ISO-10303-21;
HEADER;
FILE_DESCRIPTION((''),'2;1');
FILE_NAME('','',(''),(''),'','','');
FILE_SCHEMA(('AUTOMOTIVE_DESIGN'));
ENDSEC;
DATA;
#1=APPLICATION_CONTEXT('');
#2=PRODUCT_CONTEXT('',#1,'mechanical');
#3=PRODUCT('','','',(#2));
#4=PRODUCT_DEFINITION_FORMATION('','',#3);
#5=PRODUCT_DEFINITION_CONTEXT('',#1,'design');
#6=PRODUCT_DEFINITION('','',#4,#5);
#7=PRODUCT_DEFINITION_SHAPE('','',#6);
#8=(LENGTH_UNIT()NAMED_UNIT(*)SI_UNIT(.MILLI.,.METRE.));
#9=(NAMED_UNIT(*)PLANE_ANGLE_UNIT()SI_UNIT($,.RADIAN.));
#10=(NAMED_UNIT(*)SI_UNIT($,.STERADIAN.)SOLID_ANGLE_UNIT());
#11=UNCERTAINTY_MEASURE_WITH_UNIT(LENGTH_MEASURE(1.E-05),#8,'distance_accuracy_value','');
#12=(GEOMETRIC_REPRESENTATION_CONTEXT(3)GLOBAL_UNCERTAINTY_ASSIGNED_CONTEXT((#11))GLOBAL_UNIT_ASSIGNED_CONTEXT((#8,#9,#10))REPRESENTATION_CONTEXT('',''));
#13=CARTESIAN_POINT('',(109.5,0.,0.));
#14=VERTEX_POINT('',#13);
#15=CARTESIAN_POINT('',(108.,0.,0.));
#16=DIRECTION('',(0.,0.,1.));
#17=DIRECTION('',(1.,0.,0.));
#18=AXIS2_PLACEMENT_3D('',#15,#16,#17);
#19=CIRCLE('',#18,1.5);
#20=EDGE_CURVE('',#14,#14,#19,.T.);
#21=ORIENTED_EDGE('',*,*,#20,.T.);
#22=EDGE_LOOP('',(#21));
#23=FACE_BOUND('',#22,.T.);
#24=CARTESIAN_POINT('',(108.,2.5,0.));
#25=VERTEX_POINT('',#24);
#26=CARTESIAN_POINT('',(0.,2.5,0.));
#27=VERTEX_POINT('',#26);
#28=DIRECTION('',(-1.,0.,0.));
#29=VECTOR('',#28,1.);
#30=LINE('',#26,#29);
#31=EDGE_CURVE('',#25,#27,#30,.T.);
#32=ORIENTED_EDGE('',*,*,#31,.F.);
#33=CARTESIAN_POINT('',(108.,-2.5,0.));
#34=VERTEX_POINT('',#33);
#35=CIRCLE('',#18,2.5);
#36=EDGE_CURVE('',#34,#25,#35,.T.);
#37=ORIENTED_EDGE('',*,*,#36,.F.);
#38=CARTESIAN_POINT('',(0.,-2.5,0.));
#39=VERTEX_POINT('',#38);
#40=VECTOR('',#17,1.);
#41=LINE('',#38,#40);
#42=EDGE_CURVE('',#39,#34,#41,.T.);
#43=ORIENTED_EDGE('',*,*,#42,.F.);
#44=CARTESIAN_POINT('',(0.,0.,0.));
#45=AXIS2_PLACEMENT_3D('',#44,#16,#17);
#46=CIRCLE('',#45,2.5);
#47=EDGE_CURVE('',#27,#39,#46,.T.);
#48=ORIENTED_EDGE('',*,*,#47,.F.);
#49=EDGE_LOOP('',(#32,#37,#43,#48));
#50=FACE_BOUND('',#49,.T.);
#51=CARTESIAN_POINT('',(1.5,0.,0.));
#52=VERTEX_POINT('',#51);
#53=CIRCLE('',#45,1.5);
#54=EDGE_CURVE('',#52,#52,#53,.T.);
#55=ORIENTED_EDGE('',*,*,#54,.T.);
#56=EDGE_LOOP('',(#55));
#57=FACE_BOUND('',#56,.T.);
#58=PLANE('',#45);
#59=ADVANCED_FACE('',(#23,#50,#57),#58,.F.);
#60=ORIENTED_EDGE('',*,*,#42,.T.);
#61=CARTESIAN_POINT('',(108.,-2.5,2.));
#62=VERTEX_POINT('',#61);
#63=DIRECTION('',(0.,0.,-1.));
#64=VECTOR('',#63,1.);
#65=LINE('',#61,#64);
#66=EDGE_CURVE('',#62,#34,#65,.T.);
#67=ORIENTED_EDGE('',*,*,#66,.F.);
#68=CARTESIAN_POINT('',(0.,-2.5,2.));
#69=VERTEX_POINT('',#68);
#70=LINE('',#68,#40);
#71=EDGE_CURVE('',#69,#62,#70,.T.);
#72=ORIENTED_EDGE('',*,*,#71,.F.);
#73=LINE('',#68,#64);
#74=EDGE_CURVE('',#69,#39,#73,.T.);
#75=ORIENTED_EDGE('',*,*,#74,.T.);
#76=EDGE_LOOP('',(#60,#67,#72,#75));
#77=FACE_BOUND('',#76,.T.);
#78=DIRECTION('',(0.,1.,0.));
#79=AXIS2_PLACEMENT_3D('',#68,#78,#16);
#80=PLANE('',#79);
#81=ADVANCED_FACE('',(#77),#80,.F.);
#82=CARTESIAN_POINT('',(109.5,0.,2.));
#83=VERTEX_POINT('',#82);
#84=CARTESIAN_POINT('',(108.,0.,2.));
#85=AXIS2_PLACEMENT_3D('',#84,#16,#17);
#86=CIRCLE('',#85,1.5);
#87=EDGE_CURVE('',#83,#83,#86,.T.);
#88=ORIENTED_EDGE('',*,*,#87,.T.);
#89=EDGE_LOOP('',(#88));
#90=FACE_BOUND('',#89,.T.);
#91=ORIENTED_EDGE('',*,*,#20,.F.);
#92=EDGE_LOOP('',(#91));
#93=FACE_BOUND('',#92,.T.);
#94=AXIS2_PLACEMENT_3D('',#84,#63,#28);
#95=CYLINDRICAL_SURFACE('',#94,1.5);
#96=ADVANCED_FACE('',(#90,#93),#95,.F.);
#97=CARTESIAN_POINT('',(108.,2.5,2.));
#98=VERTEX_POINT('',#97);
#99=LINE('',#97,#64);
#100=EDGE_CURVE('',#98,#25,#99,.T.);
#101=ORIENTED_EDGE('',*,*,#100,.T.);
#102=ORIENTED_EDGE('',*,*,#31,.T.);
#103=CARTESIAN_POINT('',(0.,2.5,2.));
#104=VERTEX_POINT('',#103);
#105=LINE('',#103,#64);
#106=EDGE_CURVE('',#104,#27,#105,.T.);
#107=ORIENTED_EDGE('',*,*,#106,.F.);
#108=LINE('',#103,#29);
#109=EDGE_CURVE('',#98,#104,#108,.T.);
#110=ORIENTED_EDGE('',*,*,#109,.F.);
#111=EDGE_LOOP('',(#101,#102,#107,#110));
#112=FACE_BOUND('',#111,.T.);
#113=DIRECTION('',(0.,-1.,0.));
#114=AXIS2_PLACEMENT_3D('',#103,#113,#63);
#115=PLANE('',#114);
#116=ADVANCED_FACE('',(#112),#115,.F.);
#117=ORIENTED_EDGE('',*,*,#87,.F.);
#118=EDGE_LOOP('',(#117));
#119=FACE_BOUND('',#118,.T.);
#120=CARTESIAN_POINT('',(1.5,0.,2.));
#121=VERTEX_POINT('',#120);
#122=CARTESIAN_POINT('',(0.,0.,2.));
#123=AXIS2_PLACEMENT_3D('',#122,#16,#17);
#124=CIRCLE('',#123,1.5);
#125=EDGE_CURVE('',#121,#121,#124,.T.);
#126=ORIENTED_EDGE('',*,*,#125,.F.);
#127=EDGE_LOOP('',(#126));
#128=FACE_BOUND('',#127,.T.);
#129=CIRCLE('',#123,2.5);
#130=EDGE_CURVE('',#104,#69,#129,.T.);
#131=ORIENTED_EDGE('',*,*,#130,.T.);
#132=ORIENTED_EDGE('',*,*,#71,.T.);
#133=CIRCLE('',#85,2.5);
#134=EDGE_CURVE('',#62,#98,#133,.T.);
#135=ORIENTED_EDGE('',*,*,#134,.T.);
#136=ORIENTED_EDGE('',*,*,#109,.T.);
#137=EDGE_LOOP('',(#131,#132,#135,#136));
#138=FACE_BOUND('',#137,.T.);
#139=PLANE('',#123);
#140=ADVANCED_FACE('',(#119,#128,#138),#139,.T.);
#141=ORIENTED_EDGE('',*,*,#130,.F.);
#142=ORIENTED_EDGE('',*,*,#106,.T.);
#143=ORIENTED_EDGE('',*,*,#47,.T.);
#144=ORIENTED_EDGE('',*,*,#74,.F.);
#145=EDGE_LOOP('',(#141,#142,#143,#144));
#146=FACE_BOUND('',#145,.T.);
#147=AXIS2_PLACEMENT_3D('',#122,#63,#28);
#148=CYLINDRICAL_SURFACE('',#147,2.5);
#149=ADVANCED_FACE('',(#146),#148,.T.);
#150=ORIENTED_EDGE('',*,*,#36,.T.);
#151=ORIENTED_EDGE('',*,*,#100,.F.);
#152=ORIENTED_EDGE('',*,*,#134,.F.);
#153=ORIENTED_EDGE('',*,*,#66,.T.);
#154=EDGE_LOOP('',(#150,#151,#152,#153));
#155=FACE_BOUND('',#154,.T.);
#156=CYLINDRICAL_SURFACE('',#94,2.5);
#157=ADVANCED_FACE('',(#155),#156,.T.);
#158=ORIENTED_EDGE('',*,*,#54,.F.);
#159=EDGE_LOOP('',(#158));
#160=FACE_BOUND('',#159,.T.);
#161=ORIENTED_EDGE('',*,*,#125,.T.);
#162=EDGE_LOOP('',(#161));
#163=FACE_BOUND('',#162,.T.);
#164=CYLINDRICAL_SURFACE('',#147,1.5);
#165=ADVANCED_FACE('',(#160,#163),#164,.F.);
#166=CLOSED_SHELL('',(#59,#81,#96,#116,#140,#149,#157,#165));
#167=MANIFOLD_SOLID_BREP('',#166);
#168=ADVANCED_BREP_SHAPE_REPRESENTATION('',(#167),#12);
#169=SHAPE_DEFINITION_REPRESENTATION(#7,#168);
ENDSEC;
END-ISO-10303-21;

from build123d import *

# Parameters (mm, degrees)
ESBO_O1_R                = 1.5
RESSALTO_EXTRUS_O1_DEPTH = 2


with BuildPart() as part:
    # Esboço1 → Ressalto-extrusão1 (new body)
    with BuildSketch(Plane.XY):
        with BuildLine():
            Line((0, 2.5), (108, 2.5))
            ThreePointArc((108, 2.5), (110.5, 0), (108, -2.5))
            Line((108, -2.5), (0, -2.5))
            ThreePointArc((0, -2.5), (-2.5, 0), (0, 2.5))
        make_face()
        Circle(ESBO_O1_R, mode=Mode.SUBTRACT)
        with Locations((108, 0)):
            Circle(ESBO_O1_R, mode=Mode.SUBTRACT)
    extrude(amount=RESSALTO_EXTRUS_O1_DEPTH)


solid = part.part
